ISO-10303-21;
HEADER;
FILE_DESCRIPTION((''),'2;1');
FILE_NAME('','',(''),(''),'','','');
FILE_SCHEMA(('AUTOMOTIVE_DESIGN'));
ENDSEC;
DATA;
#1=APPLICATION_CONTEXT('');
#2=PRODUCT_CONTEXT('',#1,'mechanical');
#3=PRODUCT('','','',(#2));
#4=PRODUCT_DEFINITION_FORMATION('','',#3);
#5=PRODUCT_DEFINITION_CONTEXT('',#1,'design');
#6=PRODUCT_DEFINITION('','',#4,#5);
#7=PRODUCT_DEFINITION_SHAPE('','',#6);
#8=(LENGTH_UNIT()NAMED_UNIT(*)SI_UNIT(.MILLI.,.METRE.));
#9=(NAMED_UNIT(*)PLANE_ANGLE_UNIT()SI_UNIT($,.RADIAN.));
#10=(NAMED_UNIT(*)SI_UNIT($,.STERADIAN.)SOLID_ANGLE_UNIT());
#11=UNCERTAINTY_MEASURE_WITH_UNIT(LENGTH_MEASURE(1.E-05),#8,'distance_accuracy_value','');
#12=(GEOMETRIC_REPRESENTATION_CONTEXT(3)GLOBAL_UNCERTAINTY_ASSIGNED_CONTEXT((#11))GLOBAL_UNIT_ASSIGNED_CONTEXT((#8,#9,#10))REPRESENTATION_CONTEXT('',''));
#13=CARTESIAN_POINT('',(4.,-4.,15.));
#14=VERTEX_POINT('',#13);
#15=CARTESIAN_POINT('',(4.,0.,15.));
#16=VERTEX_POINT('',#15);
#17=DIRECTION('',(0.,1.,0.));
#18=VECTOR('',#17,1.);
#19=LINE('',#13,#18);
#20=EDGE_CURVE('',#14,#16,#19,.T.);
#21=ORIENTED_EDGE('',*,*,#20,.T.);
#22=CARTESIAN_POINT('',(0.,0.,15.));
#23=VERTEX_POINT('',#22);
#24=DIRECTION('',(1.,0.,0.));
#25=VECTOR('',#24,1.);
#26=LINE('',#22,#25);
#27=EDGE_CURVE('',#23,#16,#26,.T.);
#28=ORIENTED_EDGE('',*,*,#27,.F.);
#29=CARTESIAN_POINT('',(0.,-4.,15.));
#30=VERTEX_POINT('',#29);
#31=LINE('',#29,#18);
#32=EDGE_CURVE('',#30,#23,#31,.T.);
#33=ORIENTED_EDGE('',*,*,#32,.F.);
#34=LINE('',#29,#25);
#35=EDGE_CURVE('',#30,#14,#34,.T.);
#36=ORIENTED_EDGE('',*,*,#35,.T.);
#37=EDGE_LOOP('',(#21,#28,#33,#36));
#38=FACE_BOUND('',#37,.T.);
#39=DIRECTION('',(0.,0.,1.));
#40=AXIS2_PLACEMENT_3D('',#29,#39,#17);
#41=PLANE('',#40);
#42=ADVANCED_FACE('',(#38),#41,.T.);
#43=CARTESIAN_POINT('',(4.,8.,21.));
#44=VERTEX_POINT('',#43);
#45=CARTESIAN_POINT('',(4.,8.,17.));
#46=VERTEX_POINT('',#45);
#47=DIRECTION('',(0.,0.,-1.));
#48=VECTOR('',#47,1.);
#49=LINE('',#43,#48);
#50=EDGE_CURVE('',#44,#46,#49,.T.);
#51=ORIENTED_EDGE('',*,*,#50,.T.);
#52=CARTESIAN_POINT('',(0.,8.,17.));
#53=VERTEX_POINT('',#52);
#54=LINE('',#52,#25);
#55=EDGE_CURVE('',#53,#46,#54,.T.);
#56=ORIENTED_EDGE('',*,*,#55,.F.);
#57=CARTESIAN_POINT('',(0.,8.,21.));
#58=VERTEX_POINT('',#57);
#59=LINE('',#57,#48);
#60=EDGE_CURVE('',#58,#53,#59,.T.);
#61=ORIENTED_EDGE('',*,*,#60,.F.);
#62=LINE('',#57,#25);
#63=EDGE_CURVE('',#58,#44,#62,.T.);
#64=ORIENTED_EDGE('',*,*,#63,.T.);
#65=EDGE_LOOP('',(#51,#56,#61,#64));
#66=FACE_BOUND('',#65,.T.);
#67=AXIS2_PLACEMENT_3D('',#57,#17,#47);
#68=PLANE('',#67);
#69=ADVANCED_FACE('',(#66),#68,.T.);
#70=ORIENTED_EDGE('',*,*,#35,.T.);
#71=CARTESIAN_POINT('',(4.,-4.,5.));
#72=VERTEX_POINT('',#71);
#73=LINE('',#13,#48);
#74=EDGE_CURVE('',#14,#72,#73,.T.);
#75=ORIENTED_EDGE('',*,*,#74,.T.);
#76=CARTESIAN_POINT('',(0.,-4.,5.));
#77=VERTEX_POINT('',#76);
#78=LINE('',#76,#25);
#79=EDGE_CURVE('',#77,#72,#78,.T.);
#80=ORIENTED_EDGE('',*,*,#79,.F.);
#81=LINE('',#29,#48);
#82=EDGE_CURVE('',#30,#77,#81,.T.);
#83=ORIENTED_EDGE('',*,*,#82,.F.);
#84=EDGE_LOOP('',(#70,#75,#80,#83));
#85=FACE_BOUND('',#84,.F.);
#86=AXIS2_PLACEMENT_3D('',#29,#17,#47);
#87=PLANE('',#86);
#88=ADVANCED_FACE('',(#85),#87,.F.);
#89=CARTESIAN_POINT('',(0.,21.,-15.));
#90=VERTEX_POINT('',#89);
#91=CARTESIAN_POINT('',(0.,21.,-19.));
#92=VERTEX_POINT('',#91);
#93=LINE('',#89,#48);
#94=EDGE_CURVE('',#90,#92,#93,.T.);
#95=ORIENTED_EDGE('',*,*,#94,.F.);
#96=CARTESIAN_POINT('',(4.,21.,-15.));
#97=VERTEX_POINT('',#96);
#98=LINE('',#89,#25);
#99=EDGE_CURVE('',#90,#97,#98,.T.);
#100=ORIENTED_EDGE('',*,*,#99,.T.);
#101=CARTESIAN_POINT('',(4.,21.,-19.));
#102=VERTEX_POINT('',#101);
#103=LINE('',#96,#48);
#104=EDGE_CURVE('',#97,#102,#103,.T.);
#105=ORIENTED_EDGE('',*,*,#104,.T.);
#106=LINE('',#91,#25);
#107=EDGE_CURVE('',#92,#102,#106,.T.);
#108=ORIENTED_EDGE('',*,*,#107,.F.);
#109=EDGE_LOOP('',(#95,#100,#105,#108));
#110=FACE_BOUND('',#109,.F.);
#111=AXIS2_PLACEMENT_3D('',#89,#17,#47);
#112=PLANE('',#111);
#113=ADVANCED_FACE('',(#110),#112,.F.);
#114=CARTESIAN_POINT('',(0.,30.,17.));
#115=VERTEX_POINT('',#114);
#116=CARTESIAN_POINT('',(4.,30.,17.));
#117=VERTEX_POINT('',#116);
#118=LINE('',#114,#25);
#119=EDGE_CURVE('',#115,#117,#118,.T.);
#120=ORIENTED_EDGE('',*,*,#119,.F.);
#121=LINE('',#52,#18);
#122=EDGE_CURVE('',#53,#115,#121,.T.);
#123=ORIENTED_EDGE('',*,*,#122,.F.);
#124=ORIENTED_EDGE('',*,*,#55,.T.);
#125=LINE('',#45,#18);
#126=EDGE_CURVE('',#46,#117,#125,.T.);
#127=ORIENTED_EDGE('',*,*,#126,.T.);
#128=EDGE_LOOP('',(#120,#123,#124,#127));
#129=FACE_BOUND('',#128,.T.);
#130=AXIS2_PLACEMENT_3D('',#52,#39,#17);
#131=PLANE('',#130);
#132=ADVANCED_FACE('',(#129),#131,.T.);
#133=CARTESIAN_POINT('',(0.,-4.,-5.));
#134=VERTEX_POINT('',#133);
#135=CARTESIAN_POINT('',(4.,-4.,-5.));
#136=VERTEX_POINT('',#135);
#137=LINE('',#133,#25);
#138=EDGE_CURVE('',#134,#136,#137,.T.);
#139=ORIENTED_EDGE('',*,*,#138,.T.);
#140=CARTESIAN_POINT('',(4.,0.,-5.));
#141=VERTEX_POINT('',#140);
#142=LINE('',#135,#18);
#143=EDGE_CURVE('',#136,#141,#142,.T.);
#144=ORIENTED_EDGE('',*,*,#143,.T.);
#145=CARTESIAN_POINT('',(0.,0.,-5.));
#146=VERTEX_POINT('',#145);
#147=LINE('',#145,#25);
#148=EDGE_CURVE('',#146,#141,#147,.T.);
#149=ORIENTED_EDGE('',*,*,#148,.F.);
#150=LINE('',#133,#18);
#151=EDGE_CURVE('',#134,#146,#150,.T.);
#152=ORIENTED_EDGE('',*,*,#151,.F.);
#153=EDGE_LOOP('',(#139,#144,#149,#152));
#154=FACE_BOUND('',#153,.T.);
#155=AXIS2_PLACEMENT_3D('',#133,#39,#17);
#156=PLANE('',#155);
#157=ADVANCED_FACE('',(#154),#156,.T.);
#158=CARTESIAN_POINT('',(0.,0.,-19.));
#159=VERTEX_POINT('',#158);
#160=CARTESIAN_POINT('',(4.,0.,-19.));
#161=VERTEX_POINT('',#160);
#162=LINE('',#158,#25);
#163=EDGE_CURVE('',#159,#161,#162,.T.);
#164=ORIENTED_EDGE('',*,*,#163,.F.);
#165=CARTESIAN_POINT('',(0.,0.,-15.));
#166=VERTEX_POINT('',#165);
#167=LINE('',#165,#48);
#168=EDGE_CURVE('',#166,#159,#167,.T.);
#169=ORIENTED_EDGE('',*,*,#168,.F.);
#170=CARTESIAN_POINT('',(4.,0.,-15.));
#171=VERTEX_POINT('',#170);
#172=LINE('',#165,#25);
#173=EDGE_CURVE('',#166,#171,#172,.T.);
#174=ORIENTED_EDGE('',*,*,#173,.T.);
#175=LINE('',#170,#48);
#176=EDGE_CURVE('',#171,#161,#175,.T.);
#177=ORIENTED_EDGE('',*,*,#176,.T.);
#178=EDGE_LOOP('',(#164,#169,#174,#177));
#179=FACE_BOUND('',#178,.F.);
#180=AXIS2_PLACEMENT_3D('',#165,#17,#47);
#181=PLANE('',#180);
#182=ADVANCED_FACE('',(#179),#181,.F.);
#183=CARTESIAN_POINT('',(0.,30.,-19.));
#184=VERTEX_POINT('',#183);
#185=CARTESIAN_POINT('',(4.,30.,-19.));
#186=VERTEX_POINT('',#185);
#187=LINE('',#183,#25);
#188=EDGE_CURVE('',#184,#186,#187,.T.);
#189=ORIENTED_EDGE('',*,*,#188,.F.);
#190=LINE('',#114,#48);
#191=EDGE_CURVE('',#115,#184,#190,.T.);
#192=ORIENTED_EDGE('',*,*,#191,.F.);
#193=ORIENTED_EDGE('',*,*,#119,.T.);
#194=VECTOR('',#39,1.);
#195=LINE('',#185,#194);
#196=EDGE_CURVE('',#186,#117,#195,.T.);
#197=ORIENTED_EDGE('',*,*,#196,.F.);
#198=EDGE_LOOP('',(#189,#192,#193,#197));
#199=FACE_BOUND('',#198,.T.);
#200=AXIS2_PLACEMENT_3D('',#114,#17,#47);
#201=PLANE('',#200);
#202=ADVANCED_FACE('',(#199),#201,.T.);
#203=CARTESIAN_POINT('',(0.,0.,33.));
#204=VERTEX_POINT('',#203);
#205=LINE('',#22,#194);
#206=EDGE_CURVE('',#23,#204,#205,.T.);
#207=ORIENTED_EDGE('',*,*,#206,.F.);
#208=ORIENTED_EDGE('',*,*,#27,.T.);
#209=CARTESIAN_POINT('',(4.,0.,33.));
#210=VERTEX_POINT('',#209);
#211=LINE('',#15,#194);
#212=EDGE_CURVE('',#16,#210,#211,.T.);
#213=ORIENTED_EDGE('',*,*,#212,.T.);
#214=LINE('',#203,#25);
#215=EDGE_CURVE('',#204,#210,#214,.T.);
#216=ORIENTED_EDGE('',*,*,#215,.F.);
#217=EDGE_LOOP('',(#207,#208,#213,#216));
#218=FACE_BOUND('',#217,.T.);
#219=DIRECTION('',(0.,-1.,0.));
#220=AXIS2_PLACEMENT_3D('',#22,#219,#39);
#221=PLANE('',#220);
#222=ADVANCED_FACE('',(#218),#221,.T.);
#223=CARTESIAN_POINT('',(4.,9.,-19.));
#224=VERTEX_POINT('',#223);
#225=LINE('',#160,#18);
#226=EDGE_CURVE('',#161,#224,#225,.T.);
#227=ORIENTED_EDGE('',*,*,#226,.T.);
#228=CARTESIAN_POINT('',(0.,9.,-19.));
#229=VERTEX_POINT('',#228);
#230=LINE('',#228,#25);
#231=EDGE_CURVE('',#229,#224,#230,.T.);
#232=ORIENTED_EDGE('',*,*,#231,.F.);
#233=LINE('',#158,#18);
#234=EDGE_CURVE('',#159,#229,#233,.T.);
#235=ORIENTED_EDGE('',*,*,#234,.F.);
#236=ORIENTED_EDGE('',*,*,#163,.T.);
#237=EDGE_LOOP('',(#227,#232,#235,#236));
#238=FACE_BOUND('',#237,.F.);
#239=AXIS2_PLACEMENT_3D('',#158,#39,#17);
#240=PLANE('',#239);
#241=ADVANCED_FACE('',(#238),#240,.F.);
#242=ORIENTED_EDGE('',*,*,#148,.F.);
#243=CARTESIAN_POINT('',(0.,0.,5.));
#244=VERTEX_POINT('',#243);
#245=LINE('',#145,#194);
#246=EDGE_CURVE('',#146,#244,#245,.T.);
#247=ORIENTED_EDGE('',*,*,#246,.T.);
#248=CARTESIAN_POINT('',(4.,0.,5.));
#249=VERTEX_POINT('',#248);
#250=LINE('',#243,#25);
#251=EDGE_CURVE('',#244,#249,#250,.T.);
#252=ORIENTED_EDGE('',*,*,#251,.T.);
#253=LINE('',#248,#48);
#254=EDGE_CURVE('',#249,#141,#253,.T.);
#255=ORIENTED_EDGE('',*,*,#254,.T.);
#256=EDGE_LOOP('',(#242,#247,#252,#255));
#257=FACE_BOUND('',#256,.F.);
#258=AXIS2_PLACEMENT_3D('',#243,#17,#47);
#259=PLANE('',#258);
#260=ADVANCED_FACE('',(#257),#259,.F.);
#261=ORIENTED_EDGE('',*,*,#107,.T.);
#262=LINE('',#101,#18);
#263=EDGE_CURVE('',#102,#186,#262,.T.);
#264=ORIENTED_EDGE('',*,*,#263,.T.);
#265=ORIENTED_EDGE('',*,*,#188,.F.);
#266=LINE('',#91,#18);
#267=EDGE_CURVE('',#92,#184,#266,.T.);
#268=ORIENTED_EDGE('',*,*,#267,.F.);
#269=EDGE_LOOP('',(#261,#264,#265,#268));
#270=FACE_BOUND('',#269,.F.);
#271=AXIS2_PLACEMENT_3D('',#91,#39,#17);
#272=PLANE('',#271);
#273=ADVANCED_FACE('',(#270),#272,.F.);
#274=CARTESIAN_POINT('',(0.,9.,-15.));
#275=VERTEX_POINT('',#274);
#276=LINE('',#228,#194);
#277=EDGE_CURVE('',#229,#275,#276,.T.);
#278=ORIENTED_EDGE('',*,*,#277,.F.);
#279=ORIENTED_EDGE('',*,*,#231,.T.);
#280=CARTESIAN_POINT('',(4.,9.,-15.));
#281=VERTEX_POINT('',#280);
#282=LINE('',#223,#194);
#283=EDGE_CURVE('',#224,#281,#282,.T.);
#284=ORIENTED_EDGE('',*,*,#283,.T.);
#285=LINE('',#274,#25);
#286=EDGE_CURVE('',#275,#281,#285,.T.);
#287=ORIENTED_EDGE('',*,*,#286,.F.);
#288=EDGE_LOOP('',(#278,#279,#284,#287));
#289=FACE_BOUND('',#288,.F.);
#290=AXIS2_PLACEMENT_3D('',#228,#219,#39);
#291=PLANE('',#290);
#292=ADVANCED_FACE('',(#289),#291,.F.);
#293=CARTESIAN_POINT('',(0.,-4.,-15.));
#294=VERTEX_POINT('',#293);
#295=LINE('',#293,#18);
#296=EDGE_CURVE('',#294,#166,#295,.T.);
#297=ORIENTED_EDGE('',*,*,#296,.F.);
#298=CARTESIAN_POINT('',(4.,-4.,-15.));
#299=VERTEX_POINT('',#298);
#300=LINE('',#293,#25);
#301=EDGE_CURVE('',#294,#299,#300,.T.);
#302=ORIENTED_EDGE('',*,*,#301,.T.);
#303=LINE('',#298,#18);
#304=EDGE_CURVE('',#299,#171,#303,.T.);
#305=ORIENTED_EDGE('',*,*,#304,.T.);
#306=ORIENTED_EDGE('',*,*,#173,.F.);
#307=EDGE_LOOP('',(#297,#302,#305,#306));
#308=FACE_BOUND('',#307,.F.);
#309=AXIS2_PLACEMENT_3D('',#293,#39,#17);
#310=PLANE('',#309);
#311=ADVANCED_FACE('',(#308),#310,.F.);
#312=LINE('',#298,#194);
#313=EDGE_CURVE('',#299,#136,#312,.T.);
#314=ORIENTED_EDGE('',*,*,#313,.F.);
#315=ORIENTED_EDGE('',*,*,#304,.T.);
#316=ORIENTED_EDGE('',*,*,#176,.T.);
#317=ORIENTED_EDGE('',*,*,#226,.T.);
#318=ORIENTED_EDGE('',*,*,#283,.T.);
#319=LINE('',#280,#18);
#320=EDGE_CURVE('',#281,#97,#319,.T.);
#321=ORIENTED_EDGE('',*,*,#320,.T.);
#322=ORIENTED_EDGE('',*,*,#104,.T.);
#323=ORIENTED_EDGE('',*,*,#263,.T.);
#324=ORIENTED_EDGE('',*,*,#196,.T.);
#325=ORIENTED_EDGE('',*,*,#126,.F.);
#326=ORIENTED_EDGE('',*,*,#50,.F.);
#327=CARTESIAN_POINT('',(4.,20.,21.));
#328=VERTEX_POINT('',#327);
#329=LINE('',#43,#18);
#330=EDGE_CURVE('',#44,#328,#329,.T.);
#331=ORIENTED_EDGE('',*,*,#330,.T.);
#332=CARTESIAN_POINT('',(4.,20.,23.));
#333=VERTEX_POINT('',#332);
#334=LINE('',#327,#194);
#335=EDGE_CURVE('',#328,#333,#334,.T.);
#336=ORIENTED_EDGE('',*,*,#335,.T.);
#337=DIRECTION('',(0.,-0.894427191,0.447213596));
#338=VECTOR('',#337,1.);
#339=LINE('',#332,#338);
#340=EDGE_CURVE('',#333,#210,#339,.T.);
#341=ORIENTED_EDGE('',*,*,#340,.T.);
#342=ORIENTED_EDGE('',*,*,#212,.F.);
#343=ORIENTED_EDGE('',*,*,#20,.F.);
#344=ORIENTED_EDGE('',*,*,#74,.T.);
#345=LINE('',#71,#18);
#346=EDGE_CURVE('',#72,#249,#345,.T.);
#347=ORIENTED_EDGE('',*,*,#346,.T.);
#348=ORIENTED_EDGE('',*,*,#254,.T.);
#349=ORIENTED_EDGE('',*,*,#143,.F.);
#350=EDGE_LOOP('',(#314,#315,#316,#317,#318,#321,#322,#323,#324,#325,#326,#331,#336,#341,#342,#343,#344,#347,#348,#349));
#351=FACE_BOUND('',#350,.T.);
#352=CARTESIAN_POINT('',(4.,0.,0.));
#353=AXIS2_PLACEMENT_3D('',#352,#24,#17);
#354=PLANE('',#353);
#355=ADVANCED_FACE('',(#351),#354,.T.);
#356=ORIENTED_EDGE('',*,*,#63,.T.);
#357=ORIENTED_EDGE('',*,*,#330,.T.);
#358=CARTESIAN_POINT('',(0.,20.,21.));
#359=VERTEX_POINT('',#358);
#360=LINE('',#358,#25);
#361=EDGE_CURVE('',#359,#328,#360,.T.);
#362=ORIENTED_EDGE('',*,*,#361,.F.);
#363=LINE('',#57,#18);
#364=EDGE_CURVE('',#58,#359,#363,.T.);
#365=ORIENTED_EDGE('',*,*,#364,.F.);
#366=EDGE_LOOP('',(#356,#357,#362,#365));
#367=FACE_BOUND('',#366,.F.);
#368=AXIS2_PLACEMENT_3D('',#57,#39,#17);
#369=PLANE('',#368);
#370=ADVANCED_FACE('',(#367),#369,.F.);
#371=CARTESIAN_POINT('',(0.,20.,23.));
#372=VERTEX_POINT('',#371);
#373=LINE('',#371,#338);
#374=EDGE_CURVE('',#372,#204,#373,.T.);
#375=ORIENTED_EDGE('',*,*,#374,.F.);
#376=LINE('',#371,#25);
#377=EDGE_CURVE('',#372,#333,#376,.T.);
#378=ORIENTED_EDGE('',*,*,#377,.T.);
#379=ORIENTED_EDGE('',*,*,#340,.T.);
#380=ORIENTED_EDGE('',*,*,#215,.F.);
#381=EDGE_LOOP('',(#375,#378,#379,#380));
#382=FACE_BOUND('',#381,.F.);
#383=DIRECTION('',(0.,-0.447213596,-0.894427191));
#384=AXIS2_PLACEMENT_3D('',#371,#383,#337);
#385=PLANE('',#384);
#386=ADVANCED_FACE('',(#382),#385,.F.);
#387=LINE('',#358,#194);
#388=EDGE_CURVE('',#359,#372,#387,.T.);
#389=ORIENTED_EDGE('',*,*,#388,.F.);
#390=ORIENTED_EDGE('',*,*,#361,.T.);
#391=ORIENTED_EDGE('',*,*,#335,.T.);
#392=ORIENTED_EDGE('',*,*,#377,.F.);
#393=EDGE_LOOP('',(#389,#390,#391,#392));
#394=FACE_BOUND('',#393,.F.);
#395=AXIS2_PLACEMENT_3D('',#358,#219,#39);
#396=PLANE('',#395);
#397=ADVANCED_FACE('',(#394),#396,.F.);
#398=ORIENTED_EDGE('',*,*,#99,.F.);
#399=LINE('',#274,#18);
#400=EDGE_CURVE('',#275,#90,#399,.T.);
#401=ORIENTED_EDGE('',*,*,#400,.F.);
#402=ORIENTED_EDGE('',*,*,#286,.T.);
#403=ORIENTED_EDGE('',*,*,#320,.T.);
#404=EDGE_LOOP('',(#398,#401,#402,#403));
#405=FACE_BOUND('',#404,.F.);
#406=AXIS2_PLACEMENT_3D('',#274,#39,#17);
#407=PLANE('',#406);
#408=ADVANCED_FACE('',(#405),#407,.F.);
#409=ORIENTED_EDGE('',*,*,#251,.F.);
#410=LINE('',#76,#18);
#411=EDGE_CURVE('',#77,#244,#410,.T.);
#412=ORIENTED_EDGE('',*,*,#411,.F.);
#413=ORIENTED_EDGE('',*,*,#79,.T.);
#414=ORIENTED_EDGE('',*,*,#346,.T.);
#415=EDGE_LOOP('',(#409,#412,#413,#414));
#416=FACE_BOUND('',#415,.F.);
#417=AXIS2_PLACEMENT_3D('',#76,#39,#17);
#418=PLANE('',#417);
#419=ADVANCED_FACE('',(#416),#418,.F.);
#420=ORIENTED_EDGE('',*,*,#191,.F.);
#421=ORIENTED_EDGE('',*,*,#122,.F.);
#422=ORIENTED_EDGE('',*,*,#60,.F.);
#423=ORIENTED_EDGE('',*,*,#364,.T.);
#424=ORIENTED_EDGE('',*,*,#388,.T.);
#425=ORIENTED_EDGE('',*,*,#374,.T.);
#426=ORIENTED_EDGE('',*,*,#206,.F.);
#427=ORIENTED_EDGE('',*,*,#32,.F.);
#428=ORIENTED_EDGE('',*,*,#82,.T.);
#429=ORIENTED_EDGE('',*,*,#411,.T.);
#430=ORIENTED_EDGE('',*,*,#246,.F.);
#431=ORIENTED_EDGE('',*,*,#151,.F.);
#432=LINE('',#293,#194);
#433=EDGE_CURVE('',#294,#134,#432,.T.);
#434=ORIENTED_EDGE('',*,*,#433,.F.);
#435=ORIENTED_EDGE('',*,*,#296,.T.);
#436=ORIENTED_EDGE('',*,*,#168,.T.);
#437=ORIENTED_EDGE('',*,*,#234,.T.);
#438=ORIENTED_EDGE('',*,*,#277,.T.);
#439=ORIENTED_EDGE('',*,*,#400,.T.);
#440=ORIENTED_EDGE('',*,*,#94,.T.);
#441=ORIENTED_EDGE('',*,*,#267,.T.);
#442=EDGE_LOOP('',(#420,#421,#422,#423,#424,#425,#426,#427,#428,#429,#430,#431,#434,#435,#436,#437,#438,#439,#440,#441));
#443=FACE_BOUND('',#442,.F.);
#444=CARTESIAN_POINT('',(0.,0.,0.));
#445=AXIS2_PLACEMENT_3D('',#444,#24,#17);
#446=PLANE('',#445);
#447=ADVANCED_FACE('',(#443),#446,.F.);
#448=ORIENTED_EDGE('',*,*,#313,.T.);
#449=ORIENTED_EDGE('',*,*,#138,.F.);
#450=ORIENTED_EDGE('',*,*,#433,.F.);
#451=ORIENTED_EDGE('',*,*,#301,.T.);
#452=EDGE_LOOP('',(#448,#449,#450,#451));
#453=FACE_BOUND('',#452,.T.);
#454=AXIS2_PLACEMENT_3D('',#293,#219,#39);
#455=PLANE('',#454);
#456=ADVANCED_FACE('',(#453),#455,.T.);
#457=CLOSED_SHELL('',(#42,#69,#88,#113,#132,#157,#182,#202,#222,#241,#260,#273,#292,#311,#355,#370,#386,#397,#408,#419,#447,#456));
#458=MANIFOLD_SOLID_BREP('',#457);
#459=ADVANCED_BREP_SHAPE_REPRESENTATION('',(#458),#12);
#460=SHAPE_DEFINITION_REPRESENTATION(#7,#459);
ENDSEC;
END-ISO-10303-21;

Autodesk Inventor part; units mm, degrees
ref_plane "YZ Plane" through (0, 0, 0) normal (1, 0, 0) x (0, 1, 0)
ref_plane "XZ Plane" through (0, 0, 0) normal (0, 1, 0) x (-1, 0, 0)
ref_plane "XY Plane" through (0, 0, 0) normal (0, 0, 1) x (1, 0, 0)
sketch "Эскиз1" plane through (0, 0, 0) normal (1, 0, 0) x (0, 1, 0)
  line L0 (-4, 15) -> (-4, 5)
  line L1 (-4, 5) -> (0, 5)
  line L2 (0, 5) -> (0, 0)
  line L3 (30, 17) -> (30, 0)
  line L4 (30, 0) -> (0, 0)
  line L5 (-4, -15) -> (-4, -5)
  line L6 (-4, -5) -> (0, -5)
  line L7 (0, -5) -> (0, 0)
  line L8 (30, -17) -> (30, 0)
  line L9 (-4, 15) -> (0, 15)
  line L10 (8, 21) -> (8, 17)
  line L11 (8, 17) -> (30, 17)
  line L12 (-4, -15) -> (0, -15)
  line L13 (0, -15) -> (0, -19)
  line L14 (0, -19) -> (9, -19)
  line L15 (9, -19) -> (9, -15)
  line L16 (9, -15) -> (21, -15)
  line L17 (21, -15) -> (21, -19)
  line L18 (21, -19) -> (30, -19)
  line L19 (30, -19) -> (30, -17)
  line L20 (0, 15) -> (0, 33)
  line L21 (8, 21) -> (20, 21)
  line L22 (20, 21) -> (20, 23)
  line L23 (20, 23) -> (0, 33)
  dimension "d0" = 30
  dimension "d1" = 4
  dimension "d2" = 10
  dimension "d3" = 10
  dimension "d8" = 4
  dimension "d9" = 90
  dimension "d11" = 12
  dimension "d13" = 2
  dimension "d14" = 4
  dimension "d15" = 8
  dimension "d16" = 18
  dimension "d17" = 2
  dimension "d18" = 20
extrude "Выдавливание1" add sketch "Эскиз1" along normal blind 4
properties part number "Limiter1" material "Дерево (вишня)"
